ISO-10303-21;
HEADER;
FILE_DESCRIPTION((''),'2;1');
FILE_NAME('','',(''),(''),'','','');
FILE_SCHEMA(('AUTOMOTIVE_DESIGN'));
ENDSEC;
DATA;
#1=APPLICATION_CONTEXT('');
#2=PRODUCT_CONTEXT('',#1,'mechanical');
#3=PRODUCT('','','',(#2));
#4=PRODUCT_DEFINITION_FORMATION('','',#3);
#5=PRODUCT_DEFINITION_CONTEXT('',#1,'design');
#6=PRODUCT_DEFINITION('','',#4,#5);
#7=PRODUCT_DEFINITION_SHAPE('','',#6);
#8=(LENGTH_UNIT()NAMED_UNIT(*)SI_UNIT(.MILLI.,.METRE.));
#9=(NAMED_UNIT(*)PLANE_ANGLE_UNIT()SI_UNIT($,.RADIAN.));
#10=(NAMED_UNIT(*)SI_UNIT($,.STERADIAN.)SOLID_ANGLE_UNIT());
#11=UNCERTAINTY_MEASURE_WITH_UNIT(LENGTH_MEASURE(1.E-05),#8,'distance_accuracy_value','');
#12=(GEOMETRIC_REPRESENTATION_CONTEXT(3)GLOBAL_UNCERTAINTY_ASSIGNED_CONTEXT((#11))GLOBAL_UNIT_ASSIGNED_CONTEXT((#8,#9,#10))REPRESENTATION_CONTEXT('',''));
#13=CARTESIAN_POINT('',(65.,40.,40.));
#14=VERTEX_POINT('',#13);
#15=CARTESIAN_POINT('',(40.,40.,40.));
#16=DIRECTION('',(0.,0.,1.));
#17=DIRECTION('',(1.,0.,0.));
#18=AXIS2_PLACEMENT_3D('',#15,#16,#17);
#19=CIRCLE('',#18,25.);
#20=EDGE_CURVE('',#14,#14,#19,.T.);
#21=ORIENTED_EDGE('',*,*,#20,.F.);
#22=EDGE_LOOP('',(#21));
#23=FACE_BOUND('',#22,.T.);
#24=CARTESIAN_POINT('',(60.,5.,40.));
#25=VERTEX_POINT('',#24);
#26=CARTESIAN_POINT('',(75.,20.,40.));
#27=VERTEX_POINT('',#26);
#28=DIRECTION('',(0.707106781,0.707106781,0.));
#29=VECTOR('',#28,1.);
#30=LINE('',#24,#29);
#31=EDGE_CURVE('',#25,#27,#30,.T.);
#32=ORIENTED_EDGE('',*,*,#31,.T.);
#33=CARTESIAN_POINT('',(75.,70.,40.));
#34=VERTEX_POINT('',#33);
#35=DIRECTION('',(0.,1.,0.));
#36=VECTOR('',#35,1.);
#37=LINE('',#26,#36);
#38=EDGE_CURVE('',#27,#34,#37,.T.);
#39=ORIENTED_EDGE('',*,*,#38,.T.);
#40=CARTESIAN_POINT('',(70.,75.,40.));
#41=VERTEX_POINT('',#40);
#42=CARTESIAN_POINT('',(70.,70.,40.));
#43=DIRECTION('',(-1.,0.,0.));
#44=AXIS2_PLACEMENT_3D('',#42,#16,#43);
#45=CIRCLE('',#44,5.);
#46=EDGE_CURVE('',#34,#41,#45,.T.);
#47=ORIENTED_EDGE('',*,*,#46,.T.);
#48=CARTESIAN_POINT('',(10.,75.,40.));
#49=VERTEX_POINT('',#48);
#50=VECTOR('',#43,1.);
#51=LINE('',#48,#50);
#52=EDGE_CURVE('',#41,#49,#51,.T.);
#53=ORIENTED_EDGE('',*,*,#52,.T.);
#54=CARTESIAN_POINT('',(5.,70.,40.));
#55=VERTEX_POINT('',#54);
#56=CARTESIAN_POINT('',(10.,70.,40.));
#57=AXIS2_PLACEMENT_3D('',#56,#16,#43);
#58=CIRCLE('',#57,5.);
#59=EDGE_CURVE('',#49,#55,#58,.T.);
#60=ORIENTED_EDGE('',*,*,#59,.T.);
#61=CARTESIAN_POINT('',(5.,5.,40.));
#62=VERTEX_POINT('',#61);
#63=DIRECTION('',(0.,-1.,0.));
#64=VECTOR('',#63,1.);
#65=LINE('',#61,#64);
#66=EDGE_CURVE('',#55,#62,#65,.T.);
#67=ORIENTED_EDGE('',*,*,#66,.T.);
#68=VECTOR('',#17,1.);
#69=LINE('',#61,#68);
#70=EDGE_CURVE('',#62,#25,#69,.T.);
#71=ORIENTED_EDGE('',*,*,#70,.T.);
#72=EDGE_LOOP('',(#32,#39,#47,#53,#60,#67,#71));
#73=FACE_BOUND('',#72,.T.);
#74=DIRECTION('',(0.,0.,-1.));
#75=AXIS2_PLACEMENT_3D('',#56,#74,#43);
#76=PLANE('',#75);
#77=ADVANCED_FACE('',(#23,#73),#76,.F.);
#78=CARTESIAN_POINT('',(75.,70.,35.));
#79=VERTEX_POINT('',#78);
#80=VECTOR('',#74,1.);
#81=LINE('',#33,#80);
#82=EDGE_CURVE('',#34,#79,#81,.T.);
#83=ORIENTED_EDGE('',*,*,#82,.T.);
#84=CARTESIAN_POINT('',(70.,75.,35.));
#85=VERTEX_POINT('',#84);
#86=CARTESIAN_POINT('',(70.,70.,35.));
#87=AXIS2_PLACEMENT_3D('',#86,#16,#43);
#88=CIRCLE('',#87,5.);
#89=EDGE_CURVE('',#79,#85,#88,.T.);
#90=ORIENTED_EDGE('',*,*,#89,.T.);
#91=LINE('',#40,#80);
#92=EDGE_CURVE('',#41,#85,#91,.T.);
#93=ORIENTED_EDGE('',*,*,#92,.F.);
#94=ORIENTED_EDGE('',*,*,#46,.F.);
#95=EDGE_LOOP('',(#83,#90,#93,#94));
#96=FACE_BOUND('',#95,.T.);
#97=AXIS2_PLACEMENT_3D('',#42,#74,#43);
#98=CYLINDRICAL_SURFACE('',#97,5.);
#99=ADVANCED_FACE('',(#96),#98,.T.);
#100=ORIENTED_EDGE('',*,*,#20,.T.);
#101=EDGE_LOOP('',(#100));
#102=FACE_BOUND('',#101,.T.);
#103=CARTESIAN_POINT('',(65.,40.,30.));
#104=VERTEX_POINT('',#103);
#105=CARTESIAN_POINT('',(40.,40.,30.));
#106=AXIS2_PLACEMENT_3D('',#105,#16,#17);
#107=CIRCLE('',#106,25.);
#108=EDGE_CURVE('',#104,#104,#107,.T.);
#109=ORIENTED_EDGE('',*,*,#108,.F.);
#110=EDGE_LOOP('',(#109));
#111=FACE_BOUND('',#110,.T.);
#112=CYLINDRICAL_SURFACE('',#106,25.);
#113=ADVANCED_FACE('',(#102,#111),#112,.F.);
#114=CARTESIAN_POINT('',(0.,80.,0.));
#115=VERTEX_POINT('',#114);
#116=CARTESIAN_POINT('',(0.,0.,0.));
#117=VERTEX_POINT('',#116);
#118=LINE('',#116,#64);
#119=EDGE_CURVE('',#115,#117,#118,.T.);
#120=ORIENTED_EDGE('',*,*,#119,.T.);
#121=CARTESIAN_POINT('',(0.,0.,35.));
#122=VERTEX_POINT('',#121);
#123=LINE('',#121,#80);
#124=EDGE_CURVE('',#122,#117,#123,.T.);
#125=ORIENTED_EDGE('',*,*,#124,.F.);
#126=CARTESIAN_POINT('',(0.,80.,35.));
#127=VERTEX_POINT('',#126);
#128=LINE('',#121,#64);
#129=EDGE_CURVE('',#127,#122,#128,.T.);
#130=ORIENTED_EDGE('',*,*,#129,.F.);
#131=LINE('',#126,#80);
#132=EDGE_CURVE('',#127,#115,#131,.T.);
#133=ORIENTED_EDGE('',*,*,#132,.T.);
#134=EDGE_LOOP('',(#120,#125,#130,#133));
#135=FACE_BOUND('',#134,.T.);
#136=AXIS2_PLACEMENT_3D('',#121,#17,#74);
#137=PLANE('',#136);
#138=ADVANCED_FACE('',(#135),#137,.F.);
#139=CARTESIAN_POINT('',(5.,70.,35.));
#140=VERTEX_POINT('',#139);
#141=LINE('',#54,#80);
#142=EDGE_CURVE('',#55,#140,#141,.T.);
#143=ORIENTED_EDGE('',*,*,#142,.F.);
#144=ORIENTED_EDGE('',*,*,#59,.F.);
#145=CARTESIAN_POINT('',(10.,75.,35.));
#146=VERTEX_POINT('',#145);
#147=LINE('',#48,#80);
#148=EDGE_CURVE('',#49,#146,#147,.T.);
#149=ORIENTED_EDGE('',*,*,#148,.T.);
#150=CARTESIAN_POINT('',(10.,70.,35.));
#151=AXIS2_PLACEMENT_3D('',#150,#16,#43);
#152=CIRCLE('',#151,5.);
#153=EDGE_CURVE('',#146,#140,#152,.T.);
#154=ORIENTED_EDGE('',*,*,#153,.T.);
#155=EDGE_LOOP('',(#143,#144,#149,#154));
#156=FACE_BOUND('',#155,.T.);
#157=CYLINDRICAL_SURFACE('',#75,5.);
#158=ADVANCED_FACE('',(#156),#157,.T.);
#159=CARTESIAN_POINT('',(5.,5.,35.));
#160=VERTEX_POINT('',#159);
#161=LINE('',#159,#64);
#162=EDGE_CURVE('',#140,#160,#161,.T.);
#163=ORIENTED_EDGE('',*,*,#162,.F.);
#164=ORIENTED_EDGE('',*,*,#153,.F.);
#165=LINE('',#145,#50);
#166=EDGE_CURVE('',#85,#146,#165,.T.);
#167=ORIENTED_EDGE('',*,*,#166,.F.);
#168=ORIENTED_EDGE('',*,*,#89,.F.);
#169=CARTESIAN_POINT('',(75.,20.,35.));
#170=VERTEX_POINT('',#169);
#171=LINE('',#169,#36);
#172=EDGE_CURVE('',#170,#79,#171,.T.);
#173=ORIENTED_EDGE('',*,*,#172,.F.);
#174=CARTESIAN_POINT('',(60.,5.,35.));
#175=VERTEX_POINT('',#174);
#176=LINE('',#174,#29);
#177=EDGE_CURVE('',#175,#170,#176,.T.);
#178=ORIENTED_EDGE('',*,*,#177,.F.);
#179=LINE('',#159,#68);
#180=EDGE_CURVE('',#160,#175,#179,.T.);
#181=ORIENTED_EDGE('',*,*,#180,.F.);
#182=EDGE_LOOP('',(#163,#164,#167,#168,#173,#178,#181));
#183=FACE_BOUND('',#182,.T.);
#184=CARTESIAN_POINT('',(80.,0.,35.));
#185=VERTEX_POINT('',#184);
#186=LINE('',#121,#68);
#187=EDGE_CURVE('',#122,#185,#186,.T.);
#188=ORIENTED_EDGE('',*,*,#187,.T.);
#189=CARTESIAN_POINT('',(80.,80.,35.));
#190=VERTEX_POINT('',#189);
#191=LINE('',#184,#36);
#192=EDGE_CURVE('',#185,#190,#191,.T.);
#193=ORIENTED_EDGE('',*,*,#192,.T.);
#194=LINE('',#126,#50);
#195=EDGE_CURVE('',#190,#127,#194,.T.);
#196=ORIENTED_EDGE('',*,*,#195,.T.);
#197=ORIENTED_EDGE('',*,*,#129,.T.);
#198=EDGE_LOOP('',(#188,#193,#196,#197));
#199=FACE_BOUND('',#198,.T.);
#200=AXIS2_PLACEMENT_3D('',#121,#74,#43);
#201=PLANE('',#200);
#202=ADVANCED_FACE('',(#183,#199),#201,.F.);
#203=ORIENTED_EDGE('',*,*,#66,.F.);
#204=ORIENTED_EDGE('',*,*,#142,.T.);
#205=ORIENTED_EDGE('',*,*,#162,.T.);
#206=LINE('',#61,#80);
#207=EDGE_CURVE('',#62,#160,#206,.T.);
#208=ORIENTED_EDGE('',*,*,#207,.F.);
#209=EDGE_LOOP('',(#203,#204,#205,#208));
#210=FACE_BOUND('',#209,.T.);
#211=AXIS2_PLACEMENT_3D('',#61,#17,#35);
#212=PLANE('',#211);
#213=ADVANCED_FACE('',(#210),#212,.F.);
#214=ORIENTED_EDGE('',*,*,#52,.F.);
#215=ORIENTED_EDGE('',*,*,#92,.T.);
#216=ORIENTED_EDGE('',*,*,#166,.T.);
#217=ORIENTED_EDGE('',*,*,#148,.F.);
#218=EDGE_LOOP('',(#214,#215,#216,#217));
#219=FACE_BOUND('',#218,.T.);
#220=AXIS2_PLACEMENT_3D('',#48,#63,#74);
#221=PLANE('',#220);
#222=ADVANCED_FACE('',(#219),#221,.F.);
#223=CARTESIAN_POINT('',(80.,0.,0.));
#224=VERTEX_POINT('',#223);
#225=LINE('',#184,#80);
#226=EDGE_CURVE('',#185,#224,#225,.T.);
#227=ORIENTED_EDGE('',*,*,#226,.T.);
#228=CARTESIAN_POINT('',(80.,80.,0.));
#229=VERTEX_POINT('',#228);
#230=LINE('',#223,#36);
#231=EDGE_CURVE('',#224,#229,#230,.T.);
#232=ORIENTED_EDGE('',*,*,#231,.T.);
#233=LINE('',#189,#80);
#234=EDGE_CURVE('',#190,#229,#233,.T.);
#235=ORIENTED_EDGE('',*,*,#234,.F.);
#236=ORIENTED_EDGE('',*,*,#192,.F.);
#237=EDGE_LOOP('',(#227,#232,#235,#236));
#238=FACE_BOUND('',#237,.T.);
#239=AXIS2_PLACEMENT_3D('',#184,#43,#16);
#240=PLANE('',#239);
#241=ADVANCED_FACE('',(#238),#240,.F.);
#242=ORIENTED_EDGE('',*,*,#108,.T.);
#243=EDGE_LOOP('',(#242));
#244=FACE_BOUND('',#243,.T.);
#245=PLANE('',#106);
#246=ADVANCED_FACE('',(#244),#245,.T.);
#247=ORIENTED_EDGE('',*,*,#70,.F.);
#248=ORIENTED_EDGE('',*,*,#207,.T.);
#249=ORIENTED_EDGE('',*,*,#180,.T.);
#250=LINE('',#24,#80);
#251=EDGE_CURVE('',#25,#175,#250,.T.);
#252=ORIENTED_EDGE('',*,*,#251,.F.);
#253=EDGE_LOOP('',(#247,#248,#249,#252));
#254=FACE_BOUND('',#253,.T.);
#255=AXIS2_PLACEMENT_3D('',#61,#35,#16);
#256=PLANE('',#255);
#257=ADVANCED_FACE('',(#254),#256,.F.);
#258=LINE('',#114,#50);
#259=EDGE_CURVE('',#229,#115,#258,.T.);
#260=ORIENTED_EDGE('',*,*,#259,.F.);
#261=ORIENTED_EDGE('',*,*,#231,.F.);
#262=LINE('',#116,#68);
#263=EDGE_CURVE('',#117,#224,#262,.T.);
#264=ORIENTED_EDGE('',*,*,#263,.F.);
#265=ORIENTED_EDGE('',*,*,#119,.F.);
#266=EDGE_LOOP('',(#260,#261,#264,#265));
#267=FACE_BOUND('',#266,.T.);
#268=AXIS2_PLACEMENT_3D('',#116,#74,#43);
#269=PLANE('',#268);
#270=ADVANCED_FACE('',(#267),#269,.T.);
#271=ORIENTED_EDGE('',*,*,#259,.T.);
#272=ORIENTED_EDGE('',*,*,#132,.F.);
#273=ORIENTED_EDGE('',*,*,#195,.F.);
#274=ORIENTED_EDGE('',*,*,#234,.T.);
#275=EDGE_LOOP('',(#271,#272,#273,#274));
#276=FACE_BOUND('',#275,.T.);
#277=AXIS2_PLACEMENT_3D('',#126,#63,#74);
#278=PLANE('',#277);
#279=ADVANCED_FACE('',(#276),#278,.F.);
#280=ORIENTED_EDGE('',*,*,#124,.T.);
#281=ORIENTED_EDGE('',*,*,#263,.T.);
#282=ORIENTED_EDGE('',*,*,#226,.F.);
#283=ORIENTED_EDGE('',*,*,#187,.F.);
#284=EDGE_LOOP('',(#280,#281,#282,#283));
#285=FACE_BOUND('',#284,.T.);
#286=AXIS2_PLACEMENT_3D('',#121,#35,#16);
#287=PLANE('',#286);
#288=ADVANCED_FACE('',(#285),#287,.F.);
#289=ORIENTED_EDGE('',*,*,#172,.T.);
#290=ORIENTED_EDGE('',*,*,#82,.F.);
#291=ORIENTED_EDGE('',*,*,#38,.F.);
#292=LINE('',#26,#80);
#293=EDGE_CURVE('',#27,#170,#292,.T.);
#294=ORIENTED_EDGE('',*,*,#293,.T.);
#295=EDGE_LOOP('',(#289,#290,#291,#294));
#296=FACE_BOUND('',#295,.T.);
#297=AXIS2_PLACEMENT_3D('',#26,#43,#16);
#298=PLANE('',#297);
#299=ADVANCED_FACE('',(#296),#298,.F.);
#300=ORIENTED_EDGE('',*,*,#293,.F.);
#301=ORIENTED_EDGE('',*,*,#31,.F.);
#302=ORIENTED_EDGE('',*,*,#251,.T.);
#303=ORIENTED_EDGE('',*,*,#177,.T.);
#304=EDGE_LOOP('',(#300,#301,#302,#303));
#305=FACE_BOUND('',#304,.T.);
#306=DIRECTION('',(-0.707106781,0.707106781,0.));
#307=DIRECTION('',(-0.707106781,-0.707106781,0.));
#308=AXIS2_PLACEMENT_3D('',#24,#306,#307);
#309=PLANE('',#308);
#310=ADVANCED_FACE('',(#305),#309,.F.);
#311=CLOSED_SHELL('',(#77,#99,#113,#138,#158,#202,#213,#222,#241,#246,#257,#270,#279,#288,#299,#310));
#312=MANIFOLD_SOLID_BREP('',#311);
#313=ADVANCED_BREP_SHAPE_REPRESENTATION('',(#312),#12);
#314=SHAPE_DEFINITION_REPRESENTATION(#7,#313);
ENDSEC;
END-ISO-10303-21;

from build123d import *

# Parameters (mm, degrees)
SKETCH1_W           = 80
SKETCH1_H           = 80
BOSS_EXTRUDE1_DEPTH = 35
BOSS_EXTRUDE2_START = 35
BOSS_EXTRUDE2_DEPTH = 5
CUT_EXTRUDE1_START  = 40
SKETCH3_R           = 25
CUT_EXTRUDE1_DEPTH  = 10


with BuildPart() as part:
    # Sketch1 → Boss-Extrude1 (new body)
    with BuildSketch(Plane.XY):
        with Locations((40, 40)):
            Rectangle(SKETCH1_W, SKETCH1_H)
    extrude(amount=BOSS_EXTRUDE1_DEPTH)

    # Sketch2 → Boss-Extrude2 (add)
    with BuildSketch(Plane.XY.offset(BOSS_EXTRUDE2_START)):
        with BuildLine():
            Line((60, 5), (75, 20))
            Line((75, 20), (75, 70))
            ThreePointArc((75, 70), (73.535533906, 73.535533906), (70, 75))
            Line((70, 75), (10, 75))
            ThreePointArc((10, 75), (6.464466094, 73.535533906), (5, 70))
            Line((5, 70), (5, 5))
            Line((5, 5), (60, 5))
        make_face()
    extrude(amount=BOSS_EXTRUDE2_DEPTH)

    # Sketch3 → Cut-Extrude1 (cut)
    with BuildSketch(Plane.XY.offset(CUT_EXTRUDE1_START)):
        with Locations((40, 40)):
            Circle(SKETCH3_R)
    extrude(amount=-CUT_EXTRUDE1_DEPTH, mode=Mode.SUBTRACT)


solid = part.part
